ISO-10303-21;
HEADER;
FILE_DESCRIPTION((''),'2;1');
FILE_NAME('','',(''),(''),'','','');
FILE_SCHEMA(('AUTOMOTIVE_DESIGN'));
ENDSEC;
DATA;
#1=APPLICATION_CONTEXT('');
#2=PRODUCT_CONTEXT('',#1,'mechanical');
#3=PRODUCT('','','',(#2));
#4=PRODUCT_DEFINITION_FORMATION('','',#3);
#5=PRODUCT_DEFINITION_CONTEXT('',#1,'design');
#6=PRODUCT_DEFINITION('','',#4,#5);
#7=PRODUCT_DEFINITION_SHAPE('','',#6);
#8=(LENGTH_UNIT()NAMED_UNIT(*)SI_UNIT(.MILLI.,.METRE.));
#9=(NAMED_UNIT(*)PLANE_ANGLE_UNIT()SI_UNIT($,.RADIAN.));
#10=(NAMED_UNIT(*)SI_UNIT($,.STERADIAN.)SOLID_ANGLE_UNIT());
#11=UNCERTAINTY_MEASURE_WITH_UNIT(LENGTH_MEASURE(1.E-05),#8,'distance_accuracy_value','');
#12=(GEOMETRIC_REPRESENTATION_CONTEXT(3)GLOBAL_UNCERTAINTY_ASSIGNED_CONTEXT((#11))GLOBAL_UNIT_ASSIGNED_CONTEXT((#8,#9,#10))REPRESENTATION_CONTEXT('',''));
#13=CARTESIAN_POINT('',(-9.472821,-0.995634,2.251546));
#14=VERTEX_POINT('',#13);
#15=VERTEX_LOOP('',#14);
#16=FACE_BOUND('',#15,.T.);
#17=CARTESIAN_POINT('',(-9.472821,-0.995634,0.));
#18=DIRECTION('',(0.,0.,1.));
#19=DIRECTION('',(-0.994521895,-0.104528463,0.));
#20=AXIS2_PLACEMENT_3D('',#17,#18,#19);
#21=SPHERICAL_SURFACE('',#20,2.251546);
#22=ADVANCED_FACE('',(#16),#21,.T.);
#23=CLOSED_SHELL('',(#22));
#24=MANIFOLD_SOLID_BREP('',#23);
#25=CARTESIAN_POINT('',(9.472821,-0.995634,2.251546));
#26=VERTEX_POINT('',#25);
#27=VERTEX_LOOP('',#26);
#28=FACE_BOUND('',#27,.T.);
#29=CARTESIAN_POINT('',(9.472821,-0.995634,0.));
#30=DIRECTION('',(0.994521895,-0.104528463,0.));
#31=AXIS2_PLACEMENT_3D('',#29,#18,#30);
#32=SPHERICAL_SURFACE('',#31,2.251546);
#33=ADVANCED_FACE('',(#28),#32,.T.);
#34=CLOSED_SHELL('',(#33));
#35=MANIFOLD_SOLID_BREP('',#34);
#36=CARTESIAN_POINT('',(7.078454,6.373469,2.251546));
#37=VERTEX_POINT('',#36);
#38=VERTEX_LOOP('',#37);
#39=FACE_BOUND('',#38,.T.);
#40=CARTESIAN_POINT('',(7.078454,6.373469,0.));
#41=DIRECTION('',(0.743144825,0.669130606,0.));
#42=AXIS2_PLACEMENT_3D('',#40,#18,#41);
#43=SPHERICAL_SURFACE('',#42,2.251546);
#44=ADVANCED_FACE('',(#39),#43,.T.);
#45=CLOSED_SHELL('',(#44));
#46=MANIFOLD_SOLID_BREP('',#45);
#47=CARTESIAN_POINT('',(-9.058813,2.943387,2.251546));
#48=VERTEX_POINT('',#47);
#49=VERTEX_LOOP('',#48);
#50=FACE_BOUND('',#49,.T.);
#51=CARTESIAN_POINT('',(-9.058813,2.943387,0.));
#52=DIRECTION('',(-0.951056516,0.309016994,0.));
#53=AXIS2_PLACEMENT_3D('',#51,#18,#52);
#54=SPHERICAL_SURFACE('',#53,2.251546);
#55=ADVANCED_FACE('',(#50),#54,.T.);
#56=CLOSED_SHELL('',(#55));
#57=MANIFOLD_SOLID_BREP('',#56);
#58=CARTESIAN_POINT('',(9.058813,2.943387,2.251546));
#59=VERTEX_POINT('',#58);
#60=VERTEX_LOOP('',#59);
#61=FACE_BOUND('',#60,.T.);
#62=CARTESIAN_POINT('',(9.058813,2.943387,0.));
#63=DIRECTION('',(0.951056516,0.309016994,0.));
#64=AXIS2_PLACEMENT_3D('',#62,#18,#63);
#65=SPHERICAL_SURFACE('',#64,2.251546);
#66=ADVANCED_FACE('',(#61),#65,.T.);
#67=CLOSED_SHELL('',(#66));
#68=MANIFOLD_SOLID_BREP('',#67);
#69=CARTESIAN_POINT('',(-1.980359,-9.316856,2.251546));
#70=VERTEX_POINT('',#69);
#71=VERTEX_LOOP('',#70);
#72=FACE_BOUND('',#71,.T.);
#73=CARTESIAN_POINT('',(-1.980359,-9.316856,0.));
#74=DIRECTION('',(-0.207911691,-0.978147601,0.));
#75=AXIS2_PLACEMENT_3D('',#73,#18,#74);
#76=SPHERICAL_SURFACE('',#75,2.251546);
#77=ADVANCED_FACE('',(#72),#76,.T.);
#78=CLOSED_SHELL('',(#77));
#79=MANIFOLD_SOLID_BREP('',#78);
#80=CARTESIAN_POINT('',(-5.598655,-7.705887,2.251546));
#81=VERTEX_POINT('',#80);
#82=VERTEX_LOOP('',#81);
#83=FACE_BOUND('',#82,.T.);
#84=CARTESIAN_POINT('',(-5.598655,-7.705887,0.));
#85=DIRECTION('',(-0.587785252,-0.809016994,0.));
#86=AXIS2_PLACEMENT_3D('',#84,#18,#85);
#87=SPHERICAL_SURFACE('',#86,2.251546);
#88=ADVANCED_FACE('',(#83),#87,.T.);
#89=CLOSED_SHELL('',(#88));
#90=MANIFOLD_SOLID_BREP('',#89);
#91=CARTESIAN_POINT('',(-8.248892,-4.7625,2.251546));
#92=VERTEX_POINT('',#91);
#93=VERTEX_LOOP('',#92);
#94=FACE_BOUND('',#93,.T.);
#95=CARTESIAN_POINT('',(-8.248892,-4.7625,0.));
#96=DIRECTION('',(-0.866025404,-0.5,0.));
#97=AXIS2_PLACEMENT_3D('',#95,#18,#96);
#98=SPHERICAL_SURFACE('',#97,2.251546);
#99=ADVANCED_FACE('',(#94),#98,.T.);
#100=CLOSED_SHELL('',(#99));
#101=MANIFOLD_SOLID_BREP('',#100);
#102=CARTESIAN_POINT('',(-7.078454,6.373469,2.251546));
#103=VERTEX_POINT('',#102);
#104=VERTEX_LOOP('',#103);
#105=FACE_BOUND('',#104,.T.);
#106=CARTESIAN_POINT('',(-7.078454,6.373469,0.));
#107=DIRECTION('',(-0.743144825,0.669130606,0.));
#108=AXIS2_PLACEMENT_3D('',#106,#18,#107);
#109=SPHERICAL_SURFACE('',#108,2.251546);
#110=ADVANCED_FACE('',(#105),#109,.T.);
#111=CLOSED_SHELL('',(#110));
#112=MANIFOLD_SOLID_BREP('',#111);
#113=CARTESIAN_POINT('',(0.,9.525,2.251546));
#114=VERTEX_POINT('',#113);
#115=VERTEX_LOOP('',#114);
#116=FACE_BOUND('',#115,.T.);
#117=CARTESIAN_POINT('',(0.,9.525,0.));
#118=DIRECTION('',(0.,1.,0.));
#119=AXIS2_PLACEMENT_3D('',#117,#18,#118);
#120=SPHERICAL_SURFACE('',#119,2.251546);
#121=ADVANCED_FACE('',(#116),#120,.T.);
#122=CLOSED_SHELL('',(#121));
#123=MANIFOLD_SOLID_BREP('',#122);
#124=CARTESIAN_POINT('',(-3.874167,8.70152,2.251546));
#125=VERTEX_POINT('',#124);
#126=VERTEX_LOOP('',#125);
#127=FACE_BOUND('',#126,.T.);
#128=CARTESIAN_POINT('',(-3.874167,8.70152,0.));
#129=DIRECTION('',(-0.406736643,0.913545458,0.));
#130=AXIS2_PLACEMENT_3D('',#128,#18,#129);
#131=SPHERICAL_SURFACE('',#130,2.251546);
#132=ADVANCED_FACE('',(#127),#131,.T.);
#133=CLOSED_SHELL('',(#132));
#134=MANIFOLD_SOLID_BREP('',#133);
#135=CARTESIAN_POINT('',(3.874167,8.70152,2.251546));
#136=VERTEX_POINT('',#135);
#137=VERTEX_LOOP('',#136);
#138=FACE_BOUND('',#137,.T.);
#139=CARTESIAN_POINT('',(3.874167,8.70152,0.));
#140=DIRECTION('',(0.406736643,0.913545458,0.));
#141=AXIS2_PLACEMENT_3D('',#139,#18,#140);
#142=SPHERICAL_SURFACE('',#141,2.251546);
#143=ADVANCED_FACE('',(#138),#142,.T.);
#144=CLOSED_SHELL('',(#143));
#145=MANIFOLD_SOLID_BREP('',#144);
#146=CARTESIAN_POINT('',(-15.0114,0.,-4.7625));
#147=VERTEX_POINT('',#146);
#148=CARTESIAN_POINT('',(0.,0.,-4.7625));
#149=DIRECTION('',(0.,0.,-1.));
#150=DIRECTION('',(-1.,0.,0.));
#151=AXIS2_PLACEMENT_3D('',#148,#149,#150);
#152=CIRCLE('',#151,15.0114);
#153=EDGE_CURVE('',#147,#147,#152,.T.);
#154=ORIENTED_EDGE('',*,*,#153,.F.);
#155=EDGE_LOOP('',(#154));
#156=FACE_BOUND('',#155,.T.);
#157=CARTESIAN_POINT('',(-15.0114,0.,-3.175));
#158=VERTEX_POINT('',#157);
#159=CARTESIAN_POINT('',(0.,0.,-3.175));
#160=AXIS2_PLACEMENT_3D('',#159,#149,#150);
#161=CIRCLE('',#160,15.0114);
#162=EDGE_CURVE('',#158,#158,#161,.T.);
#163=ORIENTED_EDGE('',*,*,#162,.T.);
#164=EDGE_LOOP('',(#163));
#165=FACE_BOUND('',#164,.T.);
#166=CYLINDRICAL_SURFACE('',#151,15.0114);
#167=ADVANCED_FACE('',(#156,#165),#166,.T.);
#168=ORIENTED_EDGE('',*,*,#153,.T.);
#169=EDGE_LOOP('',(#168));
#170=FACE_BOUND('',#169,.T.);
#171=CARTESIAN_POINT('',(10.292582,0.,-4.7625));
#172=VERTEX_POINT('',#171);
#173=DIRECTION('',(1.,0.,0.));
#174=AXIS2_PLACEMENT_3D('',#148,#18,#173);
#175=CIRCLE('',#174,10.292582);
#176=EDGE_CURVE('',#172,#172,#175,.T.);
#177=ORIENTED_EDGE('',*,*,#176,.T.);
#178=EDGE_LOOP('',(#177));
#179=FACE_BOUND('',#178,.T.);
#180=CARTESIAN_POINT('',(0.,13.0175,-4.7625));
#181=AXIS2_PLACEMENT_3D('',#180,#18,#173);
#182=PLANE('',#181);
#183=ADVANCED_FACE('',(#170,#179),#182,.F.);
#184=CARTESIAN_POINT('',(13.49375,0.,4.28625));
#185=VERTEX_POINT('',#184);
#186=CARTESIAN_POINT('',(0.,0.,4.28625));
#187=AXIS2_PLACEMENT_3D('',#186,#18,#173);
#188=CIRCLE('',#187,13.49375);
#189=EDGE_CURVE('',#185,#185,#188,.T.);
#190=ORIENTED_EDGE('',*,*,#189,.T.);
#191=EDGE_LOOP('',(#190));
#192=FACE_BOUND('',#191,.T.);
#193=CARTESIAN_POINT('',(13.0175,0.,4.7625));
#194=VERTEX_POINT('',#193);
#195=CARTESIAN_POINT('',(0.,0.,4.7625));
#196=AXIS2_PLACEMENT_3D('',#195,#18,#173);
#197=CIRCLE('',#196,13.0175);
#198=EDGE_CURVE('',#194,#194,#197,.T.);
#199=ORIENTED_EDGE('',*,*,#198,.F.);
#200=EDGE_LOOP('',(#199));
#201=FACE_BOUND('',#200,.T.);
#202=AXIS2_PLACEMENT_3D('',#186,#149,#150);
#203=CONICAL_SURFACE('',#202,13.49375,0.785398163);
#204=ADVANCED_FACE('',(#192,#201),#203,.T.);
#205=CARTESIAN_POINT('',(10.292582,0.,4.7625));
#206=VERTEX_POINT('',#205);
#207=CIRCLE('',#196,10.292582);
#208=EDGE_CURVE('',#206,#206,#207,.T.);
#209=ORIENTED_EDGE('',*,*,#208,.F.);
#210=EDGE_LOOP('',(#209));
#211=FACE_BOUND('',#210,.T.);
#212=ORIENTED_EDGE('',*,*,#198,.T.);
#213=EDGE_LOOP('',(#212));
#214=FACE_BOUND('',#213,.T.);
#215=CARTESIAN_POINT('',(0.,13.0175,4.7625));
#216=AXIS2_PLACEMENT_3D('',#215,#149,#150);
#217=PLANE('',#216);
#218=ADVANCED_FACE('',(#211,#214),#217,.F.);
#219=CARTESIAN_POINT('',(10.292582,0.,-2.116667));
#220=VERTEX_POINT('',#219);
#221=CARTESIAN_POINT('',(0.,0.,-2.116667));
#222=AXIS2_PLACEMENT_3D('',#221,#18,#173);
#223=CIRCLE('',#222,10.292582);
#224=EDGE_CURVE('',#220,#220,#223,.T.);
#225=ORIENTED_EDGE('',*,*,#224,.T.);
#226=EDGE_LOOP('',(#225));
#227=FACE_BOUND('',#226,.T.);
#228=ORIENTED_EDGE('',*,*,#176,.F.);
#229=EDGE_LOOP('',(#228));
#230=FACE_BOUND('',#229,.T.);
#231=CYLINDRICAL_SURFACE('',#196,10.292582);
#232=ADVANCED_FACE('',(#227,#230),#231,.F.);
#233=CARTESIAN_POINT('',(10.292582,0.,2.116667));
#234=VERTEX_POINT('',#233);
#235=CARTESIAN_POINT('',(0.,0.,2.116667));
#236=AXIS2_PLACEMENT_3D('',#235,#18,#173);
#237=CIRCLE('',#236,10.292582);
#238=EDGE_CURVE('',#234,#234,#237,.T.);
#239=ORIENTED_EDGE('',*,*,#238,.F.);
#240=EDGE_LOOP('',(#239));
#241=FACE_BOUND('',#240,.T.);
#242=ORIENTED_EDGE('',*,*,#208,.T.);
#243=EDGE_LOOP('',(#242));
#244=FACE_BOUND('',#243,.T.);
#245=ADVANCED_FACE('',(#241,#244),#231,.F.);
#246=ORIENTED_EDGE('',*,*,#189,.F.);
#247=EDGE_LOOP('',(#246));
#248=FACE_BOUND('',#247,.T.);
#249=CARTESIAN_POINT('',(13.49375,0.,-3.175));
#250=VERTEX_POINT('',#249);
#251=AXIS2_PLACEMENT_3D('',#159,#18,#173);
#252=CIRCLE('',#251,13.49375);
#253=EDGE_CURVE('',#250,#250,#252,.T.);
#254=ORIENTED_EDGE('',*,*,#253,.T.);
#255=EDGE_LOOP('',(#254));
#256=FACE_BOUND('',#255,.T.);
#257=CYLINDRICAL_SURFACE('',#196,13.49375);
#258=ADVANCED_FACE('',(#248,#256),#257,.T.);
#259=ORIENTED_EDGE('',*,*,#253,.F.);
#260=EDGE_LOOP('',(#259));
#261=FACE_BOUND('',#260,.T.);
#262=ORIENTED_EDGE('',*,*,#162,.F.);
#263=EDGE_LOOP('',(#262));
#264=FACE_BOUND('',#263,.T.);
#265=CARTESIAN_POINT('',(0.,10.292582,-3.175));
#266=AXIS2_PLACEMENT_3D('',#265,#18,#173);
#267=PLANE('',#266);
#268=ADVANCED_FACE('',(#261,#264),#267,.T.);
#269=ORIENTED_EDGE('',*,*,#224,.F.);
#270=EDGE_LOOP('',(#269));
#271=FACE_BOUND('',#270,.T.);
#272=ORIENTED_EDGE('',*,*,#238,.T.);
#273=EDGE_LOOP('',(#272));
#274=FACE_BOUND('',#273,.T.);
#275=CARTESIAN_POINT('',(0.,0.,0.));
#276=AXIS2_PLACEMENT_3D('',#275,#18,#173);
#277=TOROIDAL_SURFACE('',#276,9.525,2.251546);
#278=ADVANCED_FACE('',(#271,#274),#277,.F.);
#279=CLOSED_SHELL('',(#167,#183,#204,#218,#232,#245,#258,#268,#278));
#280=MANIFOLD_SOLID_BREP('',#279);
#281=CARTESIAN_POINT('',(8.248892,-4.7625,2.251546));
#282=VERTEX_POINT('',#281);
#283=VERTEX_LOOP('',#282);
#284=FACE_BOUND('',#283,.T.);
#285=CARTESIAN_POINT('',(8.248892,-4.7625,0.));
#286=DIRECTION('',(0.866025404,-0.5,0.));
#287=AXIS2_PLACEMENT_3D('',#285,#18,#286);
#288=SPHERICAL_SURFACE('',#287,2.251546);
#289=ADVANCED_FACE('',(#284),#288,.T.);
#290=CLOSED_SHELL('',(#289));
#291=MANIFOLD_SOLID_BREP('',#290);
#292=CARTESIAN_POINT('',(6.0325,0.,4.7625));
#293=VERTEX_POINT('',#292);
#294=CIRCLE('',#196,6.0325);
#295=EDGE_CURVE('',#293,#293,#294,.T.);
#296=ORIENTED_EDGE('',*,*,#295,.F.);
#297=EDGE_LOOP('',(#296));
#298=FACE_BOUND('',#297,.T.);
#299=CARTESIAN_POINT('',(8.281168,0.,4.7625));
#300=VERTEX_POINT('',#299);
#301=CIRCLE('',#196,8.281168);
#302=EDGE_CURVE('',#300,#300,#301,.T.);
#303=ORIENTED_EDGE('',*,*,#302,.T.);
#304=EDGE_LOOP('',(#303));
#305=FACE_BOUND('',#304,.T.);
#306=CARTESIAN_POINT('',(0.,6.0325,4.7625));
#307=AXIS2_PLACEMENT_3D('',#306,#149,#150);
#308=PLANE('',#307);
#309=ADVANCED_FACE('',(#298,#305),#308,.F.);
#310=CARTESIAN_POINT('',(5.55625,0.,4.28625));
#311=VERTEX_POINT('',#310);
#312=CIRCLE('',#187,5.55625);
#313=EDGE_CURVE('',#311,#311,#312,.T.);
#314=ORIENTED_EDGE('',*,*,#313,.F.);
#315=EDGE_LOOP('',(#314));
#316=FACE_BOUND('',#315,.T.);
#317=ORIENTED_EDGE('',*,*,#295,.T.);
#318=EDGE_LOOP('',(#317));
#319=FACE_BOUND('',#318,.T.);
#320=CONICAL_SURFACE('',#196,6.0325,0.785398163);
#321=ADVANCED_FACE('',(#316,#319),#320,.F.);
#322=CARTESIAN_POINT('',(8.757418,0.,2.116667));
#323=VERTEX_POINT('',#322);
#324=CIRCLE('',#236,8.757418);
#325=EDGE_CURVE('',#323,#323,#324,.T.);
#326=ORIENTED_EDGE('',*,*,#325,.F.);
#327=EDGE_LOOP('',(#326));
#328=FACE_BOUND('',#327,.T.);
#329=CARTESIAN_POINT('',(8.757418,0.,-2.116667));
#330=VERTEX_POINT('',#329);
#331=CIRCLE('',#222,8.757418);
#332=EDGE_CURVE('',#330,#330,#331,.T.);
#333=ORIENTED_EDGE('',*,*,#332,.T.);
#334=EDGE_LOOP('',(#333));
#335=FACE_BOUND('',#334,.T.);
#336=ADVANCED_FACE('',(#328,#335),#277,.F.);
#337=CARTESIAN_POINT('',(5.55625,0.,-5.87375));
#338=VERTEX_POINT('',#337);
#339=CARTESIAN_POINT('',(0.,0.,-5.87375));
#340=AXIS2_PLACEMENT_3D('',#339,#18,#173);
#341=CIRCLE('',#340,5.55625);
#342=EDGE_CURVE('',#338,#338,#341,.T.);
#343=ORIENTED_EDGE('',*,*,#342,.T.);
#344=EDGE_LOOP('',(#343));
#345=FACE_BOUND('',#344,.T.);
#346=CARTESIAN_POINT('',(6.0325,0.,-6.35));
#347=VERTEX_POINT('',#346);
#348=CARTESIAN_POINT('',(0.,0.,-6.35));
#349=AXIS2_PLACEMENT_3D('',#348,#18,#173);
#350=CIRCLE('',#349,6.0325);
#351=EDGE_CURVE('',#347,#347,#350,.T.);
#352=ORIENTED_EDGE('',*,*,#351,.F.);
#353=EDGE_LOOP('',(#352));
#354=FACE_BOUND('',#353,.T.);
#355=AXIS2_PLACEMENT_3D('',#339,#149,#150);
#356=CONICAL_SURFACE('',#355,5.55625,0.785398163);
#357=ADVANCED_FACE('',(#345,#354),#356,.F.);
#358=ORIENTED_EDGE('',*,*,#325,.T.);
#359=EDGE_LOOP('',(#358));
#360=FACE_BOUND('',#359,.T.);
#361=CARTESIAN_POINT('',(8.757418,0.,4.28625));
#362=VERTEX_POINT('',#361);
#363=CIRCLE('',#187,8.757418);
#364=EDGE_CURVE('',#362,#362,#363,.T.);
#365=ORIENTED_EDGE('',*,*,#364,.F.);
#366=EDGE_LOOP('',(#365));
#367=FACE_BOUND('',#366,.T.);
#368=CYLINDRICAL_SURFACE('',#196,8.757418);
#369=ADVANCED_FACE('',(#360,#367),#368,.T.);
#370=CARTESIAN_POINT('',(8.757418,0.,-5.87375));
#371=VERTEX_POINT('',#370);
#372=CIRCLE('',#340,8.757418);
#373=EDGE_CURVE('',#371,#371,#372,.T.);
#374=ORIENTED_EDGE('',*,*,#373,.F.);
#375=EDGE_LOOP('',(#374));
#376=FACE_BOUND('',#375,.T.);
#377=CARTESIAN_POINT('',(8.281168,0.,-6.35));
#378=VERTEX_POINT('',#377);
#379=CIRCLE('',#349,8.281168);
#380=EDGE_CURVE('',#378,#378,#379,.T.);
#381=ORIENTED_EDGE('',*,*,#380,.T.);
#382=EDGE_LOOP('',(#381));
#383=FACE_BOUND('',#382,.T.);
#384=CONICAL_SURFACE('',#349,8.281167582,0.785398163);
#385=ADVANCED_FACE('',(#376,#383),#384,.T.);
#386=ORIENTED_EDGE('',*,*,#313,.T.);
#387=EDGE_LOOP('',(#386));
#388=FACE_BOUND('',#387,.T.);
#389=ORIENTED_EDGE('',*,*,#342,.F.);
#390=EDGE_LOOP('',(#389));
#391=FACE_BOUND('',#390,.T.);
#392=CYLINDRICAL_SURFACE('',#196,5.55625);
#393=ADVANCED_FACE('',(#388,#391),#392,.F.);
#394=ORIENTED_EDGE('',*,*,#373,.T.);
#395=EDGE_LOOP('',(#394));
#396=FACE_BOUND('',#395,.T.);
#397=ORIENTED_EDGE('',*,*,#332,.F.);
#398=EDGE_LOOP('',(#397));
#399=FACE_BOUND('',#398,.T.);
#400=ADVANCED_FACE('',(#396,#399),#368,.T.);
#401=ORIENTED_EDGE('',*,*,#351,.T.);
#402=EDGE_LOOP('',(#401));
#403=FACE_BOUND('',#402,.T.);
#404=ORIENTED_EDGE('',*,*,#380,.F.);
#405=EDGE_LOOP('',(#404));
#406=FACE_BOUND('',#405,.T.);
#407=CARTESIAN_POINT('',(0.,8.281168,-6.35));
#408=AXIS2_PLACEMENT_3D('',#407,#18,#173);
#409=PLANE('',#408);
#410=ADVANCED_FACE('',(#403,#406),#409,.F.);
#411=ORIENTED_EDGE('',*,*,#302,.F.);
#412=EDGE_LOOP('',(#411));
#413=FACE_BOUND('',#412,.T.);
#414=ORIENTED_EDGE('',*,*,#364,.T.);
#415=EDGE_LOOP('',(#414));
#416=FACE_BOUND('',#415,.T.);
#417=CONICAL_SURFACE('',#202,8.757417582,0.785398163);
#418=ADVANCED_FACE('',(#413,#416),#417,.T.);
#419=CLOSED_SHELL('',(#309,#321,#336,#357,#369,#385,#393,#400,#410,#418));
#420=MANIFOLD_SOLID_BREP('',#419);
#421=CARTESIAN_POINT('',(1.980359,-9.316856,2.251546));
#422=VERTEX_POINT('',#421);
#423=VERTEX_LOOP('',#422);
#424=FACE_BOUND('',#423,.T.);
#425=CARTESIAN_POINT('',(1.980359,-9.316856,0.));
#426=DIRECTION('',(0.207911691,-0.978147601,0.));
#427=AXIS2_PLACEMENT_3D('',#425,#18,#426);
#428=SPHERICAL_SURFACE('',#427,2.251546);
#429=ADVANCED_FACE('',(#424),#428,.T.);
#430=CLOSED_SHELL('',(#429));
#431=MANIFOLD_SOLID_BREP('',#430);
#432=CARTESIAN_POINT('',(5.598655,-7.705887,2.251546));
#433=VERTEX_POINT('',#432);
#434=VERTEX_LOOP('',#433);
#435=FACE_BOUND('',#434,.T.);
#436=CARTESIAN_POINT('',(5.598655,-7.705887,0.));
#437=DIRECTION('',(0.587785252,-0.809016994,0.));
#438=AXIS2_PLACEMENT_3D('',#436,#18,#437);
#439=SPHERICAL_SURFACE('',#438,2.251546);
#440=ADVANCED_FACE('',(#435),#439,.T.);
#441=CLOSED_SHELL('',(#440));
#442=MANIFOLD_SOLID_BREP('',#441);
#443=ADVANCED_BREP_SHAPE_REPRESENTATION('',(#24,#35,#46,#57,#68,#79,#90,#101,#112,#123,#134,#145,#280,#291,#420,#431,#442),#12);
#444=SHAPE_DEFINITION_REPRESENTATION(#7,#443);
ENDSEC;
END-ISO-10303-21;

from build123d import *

# Parameters (mm, degrees)
CIRPATTERN1_COUNT = 15
SKETCH6_W         = 1.5875
SKETCH6_H         = 4.718817582


with BuildPart() as part:
    # Sketch1 → Revolve1 (revolve)
    with BuildSketch(Plane(origin=(0, 0, 0), x_dir=(0, 0, -1), z_dir=(1, 0, 0))):
        with BuildLine():
            Line((4.28625, 13.49375), (-4.28625, 13.49375))
            Line((-4.28625, 13.49375), (-4.7625, 13.0175))
            Line((-4.7625, 13.0175), (-4.7625, 10.292582418))
            Line((-4.7625, 10.292582418), (-2.116666667, 10.292582418))
            ThreePointArc((-2.116666667, 10.292582418), (0, 11.776546257), (2.116666667, 10.292582418))
            Line((2.116666667, 10.292582418), (4.7625, 10.292582418))
            Line((4.7625, 10.292582418), (4.7625, 13.0175))
            Line((4.7625, 13.0175), (4.28625, 13.49375))
        make_face()
    revolve(axis=Axis((0, 0, 4.7625), (0, 0, -1)))

    # Sketch6 → Revolve6 (revolve)
    with BuildSketch(Plane(origin=(0, 0, 0), x_dir=(0, 0, -1), z_dir=(1, 0, 0))):
        with Locations((3.96875, 12.651991209)):
            Rectangle(SKETCH6_W, SKETCH6_H)
    revolve(axis=Axis((0, 0, -4.7625), (0, 0, 1)))


with BuildPart() as body_2:
    # Sketch3 → Revolve3 (revolve)
    with BuildSketch(Plane(origin=(0, 0, 0), x_dir=(0, 0, -1), z_dir=(1, 0, 0))):
        with BuildLine():
            Line((-4.7625, 6.0325), (-4.7625, 8.281167582))
            Line((-4.7625, 8.281167582), (-4.28625, 8.757417582))
            Line((-4.28625, 8.757417582), (-2.116666667, 8.757417582))
            ThreePointArc((-2.116666667, 8.757417582), (0, 7.273453743), (2.116666667, 8.757417582))
            Line((2.116666667, 8.757417582), (5.87375, 8.757417582))
            Line((5.87375, 8.757417582), (6.35, 8.281167582))
            Line((6.35, 8.281167582), (6.35, 6.0325))
            Line((6.35, 6.0325), (5.87375, 5.55625))
            Line((5.87375, 5.55625), (-4.28625, 5.55625))
            Line((-4.28625, 5.55625), (-4.7625, 6.0325))
        make_face()
    revolve(axis=Axis((0, 0, 4.7625), (0, 0, -1)))


with BuildPart() as body_3:
    # Sketch4 → Revolve4 (revolve)
    with BuildSketch(Plane(origin=(0, 0, 0), x_dir=(0, 0, -1), z_dir=(1, 0, 0))):
        with BuildLine():
            Line((-2.251546257, 9.525), (2.251546257, 9.525))
            ThreePointArc((2.251546257, 9.525), (0, 11.776546257), (-2.251546257, 9.525))
        make_face()
    revolve(axis=Axis((0, 9.525, 2.251546257), (0, 0, -1)))


with BuildPart() as cirpattern1_1:
    # CirPattern1: pattern copy
    add(body_3.part.rotate(Axis((0, 0, -4.7625), (0, 0, 1)), 1 * 360 / CIRPATTERN1_COUNT))


with BuildPart() as cirpattern1_2:
    # CirPattern1: pattern copy
    add(body_3.part.rotate(Axis((0, 0, -4.7625), (0, 0, 1)), 2 * 360 / CIRPATTERN1_COUNT))


with BuildPart() as cirpattern1_3:
    # CirPattern1: pattern copy
    add(body_3.part.rotate(Axis((0, 0, -4.7625), (0, 0, 1)), 3 * 360 / CIRPATTERN1_COUNT))


with BuildPart() as cirpattern1_4:
    # CirPattern1: pattern copy
    add(body_3.part.rotate(Axis((0, 0, -4.7625), (0, 0, 1)), 4 * 360 / CIRPATTERN1_COUNT))


with BuildPart() as cirpattern1_5:
    # CirPattern1: pattern copy
    add(body_3.part.rotate(Axis((0, 0, -4.7625), (0, 0, 1)), 5 * 360 / CIRPATTERN1_COUNT))


with BuildPart() as cirpattern1_6:
    # CirPattern1: pattern copy
    add(body_3.part.rotate(Axis((0, 0, -4.7625), (0, 0, 1)), 6 * 360 / CIRPATTERN1_COUNT))


with BuildPart() as cirpattern1_7:
    # CirPattern1: pattern copy
    add(body_3.part.rotate(Axis((0, 0, -4.7625), (0, 0, 1)), 7 * 360 / CIRPATTERN1_COUNT))


with BuildPart() as cirpattern1_8:
    # CirPattern1: pattern copy
    add(body_3.part.rotate(Axis((0, 0, -4.7625), (0, 0, 1)), 8 * 360 / CIRPATTERN1_COUNT))


with BuildPart() as cirpattern1_9:
    # CirPattern1: pattern copy
    add(body_3.part.rotate(Axis((0, 0, -4.7625), (0, 0, 1)), 9 * 360 / CIRPATTERN1_COUNT))


with BuildPart() as cirpattern1_10:
    # CirPattern1: pattern copy
    add(body_3.part.rotate(Axis((0, 0, -4.7625), (0, 0, 1)), 10 * 360 / CIRPATTERN1_COUNT))


with BuildPart() as cirpattern1_11:
    # CirPattern1: pattern copy
    add(body_3.part.rotate(Axis((0, 0, -4.7625), (0, 0, 1)), 11 * 360 / CIRPATTERN1_COUNT))


with BuildPart() as cirpattern1_12:
    # CirPattern1: pattern copy
    add(body_3.part.rotate(Axis((0, 0, -4.7625), (0, 0, 1)), 12 * 360 / CIRPATTERN1_COUNT))


with BuildPart() as cirpattern1_13:
    # CirPattern1: pattern copy
    add(body_3.part.rotate(Axis((0, 0, -4.7625), (0, 0, 1)), 13 * 360 / CIRPATTERN1_COUNT))


with BuildPart() as cirpattern1_14:
    # CirPattern1: pattern copy
    add(body_3.part.rotate(Axis((0, 0, -4.7625), (0, 0, 1)), 14 * 360 / CIRPATTERN1_COUNT))


solid = Compound([part.part, body_2.part, body_3.part, cirpattern1_1.part, cirpattern1_2.part, cirpattern1_3.part, cirpattern1_4.part, cirpattern1_5.part, cirpattern1_6.part, cirpattern1_7.part, cirpattern1_8.part, cirpattern1_9.part, cirpattern1_10.part, cirpattern1_11.part, cirpattern1_12.part, cirpattern1_13.part, cirpattern1_14.part])
